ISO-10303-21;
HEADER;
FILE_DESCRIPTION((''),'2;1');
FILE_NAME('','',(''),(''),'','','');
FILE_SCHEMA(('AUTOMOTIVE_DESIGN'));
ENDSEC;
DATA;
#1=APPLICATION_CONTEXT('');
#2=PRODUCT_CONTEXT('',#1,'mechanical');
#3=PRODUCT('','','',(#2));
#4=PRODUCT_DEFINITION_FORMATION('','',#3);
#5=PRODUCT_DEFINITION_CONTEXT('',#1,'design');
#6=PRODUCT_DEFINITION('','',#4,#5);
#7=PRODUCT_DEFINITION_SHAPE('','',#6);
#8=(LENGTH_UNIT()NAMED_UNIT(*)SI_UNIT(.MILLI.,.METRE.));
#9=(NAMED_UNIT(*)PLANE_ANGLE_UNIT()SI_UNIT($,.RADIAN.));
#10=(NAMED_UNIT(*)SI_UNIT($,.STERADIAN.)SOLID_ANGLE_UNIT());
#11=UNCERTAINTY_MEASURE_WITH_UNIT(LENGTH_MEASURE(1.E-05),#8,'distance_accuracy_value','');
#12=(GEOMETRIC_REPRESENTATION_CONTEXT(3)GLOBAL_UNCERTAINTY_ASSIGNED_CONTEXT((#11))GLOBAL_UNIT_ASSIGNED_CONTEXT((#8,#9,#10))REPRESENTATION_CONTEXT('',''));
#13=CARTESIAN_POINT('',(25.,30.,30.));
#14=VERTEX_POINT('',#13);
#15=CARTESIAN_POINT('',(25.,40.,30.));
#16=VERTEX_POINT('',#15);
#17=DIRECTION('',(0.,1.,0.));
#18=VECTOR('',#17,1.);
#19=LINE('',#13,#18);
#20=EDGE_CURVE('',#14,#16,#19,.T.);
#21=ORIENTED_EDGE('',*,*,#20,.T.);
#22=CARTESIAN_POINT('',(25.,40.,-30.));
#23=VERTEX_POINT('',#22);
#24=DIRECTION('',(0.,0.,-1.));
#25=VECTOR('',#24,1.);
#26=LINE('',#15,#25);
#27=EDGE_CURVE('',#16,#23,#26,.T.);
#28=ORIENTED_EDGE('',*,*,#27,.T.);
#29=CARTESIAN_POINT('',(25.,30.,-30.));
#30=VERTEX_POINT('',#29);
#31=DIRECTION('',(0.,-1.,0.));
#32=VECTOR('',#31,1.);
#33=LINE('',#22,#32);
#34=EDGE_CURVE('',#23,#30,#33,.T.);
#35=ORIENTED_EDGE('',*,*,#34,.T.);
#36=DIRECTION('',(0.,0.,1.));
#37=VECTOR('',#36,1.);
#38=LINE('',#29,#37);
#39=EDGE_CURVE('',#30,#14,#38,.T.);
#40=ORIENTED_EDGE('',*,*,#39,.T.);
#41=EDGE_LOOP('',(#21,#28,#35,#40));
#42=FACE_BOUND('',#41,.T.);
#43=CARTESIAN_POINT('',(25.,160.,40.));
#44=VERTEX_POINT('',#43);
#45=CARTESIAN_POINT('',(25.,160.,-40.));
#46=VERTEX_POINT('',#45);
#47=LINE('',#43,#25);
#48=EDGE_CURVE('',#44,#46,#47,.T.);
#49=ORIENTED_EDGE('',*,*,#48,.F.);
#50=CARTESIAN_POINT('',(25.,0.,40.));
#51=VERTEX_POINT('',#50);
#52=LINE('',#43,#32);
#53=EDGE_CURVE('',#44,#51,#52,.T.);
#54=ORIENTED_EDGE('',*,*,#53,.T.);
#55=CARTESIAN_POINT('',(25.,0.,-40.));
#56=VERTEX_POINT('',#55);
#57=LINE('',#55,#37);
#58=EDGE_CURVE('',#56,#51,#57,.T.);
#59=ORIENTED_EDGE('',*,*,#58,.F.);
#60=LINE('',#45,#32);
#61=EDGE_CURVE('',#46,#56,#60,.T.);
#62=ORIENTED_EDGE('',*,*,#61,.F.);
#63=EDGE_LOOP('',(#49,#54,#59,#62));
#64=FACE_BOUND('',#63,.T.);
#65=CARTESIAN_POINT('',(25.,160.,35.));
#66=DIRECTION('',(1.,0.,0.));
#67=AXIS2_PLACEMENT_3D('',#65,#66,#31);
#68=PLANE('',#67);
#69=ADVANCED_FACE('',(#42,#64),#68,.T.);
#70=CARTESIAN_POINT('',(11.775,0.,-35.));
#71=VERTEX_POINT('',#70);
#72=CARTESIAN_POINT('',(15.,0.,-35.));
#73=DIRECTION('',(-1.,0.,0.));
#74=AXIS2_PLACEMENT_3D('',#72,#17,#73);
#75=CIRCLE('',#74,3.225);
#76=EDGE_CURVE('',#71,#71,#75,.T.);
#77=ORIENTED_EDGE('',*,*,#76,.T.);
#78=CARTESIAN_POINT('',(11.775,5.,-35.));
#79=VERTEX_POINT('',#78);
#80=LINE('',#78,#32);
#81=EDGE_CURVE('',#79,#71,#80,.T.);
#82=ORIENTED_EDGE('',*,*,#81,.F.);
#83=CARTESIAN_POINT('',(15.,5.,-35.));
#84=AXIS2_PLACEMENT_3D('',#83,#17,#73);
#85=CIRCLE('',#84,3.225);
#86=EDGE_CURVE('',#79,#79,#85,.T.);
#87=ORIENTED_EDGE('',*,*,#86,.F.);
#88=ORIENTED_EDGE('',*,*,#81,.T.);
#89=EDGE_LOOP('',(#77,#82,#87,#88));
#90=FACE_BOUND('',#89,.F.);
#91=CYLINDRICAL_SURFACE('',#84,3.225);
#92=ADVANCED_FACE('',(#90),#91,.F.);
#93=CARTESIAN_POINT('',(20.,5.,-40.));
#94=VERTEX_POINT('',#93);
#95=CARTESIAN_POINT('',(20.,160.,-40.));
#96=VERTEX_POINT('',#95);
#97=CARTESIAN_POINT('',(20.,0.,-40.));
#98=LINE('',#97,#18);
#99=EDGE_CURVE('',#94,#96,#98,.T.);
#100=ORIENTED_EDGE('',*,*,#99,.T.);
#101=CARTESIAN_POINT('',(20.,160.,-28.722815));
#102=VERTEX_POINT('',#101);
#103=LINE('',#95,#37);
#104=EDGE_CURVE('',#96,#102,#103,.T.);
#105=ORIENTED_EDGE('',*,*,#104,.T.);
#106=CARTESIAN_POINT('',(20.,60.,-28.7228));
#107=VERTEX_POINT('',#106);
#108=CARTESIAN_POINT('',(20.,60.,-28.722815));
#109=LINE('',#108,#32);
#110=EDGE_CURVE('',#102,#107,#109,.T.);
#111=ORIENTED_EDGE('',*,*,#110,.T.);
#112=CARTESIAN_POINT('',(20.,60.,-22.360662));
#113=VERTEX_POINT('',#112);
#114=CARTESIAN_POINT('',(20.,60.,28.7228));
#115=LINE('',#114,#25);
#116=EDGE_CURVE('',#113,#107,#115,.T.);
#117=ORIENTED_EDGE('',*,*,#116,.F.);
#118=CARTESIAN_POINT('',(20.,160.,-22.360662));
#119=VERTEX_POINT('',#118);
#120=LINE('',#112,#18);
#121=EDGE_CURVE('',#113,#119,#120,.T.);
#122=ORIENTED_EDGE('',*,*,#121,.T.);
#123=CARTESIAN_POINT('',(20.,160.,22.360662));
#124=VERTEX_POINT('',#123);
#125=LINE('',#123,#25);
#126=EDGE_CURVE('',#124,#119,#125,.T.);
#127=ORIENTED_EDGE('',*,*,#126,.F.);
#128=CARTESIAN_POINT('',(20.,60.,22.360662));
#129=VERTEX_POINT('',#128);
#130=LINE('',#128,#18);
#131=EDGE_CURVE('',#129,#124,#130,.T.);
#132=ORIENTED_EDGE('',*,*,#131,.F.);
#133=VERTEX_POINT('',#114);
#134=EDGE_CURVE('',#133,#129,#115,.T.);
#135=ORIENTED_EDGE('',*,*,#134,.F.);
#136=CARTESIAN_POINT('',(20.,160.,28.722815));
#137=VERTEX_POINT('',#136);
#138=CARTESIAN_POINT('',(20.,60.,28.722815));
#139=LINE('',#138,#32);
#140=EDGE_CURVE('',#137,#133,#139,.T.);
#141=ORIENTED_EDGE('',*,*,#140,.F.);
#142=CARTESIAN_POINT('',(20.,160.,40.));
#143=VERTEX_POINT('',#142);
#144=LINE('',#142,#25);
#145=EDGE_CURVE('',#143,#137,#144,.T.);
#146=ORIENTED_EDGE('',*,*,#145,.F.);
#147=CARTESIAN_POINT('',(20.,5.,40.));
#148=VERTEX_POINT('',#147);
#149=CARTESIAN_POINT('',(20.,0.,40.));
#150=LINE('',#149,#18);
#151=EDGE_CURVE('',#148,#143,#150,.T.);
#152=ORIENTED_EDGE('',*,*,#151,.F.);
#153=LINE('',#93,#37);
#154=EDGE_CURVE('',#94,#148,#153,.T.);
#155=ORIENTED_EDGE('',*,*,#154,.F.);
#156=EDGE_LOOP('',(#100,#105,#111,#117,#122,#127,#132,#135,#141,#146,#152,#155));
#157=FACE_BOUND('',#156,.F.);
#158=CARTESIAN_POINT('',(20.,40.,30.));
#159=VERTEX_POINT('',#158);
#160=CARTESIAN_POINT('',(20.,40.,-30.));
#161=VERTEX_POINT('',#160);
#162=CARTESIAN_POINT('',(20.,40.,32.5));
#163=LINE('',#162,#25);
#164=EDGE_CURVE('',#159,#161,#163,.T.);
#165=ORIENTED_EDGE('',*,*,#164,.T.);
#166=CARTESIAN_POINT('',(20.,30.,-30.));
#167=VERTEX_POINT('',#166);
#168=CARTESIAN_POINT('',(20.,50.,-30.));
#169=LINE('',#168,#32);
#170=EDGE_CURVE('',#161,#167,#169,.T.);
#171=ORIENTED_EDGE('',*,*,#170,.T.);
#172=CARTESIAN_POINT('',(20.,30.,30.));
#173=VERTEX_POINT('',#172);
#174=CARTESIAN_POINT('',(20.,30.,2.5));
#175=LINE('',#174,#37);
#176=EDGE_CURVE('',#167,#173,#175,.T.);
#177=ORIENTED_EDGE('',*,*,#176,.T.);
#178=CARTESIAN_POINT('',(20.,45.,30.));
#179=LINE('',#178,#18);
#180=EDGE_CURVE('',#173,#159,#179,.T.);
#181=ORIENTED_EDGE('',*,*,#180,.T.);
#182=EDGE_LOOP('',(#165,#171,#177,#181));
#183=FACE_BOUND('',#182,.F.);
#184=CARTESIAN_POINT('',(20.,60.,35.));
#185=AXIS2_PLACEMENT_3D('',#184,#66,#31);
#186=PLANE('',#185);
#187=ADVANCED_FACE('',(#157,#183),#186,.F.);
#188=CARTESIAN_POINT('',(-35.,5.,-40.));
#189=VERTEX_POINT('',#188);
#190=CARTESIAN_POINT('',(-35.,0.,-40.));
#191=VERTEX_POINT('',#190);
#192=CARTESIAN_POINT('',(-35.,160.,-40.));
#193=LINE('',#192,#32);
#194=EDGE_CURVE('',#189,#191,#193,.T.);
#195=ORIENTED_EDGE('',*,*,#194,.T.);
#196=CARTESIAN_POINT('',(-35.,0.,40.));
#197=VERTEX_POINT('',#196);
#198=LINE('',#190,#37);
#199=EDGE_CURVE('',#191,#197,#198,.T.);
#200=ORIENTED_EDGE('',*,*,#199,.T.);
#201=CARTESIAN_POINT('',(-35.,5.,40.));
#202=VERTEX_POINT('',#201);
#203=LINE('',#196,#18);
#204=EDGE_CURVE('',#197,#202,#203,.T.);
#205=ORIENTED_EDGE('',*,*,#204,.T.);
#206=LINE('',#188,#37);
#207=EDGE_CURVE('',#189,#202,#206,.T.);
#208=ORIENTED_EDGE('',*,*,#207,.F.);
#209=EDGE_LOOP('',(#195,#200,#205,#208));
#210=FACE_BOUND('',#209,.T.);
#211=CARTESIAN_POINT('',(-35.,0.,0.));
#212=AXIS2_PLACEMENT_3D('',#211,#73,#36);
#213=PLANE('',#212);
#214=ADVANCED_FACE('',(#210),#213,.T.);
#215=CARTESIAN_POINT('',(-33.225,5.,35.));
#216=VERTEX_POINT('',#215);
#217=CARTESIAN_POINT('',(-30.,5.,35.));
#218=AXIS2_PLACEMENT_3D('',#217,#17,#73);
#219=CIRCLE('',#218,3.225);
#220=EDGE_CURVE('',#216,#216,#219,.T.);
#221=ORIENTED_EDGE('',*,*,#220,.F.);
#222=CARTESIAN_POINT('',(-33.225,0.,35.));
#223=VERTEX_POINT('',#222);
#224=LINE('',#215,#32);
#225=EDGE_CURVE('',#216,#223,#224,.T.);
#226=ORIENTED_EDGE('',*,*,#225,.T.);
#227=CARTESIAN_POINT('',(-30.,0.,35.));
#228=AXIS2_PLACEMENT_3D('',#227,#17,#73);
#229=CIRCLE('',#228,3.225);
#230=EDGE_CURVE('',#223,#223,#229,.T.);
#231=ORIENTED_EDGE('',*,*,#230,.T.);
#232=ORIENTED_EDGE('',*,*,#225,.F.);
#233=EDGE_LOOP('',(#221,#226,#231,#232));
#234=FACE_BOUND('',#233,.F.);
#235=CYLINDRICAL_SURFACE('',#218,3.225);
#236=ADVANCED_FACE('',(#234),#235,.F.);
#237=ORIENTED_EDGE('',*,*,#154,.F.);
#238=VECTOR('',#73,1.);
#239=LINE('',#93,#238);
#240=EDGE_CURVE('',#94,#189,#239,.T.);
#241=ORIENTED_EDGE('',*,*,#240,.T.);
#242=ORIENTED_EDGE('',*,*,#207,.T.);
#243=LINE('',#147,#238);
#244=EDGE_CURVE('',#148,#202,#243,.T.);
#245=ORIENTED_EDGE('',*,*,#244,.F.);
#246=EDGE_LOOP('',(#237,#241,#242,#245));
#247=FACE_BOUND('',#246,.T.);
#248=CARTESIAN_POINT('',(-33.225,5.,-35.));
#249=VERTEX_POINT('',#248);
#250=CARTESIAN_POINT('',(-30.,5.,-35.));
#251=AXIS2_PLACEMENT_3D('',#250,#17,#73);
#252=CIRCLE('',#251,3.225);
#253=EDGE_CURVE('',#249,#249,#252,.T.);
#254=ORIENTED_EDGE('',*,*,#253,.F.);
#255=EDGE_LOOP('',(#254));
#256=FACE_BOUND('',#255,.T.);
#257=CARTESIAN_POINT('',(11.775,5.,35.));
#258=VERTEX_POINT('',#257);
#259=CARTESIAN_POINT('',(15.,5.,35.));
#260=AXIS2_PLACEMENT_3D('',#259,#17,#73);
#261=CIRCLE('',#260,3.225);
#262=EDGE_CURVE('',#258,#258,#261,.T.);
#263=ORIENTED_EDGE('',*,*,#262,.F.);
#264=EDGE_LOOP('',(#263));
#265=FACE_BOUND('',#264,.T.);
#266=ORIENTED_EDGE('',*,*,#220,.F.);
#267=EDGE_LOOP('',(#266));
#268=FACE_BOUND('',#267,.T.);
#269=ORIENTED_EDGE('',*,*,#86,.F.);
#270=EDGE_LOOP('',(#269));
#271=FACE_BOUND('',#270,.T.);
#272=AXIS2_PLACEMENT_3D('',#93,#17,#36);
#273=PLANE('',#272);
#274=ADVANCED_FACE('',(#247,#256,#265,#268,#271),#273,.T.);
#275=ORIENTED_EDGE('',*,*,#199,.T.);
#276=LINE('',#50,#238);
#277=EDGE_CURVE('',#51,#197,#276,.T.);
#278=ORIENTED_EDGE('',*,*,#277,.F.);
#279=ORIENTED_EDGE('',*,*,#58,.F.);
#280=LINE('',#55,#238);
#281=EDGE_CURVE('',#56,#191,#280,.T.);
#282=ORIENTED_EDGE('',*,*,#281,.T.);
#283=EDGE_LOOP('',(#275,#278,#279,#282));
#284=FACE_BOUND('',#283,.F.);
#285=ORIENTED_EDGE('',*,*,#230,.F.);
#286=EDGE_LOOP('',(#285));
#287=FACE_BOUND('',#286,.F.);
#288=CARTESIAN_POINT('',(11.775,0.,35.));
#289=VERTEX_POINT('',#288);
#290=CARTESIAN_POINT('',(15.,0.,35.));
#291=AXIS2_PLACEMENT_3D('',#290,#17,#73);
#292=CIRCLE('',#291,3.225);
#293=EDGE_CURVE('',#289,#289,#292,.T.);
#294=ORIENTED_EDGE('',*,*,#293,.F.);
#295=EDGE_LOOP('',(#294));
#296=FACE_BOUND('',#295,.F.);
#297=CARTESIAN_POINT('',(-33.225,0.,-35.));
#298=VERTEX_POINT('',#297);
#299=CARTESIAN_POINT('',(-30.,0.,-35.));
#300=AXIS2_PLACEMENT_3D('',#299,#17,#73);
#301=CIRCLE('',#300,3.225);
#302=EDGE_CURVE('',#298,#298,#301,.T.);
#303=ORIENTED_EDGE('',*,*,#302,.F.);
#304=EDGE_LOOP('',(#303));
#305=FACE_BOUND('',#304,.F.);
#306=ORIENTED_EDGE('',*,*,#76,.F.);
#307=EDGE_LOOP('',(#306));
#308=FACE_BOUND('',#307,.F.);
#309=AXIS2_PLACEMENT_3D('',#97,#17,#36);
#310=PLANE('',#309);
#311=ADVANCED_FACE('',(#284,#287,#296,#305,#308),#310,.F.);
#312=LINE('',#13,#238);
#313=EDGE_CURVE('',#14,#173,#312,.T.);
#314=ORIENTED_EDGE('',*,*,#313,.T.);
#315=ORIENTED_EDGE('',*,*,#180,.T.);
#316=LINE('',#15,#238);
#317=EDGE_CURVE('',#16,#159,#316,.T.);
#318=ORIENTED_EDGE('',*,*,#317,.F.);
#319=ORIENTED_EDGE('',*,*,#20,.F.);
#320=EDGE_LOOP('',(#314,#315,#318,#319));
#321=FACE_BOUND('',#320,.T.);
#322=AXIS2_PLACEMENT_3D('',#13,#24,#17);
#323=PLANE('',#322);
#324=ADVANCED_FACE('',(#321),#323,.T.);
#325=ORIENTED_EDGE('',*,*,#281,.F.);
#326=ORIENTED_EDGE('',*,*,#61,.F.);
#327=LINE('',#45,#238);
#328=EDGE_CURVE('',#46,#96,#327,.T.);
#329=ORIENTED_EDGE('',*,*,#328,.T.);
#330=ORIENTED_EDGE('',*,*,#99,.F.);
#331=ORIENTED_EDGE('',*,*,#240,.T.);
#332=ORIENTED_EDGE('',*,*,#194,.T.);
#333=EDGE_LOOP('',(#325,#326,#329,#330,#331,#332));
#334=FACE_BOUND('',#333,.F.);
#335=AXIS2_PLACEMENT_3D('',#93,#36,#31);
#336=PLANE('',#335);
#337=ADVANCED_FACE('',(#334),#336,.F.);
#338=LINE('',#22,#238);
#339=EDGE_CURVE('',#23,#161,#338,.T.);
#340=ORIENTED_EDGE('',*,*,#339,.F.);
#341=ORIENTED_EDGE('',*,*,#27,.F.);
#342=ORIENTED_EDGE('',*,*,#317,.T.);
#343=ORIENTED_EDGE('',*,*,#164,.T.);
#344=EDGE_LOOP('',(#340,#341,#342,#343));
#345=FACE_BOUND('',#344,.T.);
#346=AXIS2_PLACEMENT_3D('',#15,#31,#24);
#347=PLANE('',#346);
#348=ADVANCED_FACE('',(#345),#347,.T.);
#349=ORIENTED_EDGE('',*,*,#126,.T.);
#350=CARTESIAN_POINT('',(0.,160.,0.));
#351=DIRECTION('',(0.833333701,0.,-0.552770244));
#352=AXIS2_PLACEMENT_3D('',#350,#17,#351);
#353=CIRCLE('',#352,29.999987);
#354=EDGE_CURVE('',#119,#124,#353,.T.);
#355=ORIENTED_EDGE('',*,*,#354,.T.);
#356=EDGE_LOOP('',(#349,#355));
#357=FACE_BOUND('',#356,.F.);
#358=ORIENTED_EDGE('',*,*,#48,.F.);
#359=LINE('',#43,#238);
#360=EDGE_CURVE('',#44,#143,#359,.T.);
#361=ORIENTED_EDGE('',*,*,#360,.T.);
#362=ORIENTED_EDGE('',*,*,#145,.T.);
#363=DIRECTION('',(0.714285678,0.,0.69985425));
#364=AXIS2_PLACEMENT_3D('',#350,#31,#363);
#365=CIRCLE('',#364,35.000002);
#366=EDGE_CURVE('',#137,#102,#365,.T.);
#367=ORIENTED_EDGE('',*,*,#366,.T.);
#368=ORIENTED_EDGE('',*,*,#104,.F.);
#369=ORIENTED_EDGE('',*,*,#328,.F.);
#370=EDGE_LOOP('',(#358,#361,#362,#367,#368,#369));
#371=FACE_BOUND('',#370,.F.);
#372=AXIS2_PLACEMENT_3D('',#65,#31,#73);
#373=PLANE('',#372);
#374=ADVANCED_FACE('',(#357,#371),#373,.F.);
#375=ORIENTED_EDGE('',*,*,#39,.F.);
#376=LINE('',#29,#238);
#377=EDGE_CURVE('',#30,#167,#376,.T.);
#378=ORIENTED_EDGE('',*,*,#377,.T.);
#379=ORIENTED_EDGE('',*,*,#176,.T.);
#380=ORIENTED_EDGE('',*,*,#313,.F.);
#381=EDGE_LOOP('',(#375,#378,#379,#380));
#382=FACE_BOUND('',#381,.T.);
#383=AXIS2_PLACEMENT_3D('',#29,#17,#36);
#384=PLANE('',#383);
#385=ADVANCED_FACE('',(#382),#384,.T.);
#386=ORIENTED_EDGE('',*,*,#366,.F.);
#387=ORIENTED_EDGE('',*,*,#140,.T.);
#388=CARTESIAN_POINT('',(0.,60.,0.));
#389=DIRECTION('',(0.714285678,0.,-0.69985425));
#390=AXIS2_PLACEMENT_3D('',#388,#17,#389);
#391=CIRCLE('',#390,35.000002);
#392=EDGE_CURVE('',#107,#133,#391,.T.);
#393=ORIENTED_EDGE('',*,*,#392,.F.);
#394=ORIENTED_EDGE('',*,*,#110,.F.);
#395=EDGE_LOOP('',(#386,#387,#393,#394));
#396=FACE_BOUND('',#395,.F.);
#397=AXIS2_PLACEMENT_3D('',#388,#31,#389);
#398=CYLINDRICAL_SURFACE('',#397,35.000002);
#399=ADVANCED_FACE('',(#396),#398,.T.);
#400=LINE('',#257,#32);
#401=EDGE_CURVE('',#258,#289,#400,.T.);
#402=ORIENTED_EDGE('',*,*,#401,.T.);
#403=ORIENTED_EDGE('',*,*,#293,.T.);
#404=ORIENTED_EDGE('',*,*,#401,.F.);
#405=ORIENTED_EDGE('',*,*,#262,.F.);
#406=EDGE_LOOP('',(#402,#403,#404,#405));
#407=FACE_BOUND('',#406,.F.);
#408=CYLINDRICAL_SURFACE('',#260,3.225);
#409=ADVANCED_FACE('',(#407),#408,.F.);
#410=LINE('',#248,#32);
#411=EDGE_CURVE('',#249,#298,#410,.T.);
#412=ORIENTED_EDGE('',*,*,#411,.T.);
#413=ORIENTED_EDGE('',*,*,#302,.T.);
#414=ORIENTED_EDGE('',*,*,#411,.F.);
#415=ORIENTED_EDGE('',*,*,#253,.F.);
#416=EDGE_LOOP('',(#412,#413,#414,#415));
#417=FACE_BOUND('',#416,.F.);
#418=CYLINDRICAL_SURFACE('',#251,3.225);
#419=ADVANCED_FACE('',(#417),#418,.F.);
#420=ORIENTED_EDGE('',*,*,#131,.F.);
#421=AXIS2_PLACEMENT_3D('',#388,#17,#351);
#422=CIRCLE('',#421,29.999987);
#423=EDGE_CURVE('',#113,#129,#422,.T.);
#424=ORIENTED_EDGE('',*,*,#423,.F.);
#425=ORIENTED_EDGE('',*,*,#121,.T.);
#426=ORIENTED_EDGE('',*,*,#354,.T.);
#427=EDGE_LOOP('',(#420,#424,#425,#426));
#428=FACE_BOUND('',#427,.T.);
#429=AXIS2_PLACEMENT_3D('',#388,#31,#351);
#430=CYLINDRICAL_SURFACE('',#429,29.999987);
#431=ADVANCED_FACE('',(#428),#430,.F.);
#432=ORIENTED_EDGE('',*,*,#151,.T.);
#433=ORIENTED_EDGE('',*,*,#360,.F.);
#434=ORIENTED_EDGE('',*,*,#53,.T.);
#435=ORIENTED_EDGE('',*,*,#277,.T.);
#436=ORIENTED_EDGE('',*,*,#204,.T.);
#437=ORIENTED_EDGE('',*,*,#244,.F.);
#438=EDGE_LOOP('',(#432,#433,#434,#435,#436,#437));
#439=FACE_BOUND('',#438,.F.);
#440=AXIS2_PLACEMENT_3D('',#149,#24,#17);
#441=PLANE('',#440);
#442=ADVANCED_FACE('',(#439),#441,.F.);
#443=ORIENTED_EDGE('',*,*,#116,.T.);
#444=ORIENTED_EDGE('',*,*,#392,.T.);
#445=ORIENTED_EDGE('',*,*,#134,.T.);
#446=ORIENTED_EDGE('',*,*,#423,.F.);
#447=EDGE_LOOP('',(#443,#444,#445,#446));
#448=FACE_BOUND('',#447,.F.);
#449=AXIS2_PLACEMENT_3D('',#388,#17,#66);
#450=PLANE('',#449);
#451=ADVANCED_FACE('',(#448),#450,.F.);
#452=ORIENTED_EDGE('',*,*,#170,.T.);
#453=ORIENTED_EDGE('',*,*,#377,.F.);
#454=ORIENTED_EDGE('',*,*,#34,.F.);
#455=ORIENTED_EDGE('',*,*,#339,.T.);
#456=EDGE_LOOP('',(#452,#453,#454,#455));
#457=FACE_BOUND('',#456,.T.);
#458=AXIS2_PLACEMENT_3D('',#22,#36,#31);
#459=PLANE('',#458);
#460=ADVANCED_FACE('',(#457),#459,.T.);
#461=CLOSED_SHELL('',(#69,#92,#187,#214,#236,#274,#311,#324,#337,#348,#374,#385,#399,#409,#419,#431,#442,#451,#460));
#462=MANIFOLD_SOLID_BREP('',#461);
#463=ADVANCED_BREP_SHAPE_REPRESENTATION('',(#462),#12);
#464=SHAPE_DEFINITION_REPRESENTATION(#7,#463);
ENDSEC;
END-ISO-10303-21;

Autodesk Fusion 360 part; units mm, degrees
ref_plane "WorkPlane1" through (0, 60, 0) normal (0, 1, 0) x (0, 0, 1)
sketch "Sketch1" plane through (0, 60, 0) normal (0, 1, 0) x (1, 0, 0)
  line L0 (20, 28.7228) -> (20, -28.7228)
  line L1 (25, 24.4949) -> (25, -24.4949)
  arc A0 (25, 24.4949) -> (25, -24.4949) centre (0, 0) ccw
  arc A1 (25, 16.5831) -> (25, -16.5831) centre (0, 0) ccw
  dimension "d2" = 60
  dimension "d3" = 70
  dimension "d4" = 20
  dimension "d5" = 5
extrude "Extrude1" add sketch "Sketch1" along normal blind 100 contours L0 L1 A0 A1 | L0 A0 A1 | L0 L1 A1 | L0 L1 A0 A1
extrude "Extrude2" add sketch "Sketch1" against normal blind 60 contours L0 L1 A0 A1 | L0 L1 A1 | L0 L1 A0 A1
ref_plane "WorkPlane2" through (0, 124.607, 35) normal (0, 0, 1) x (-1, 0, 0)
sketch "Sketch2" plane through (0, 124.607, 35) normal (0, 0, 1) x (1, 0, 0)
  line L0 (20, -64.607) -> (-35, -64.607)
  line L1 (20, -64.607) -> (20, -124.607)
  line L2 (20, -124.607) -> (25, -124.607)
  line L3 (25, -124.607) -> (25, 35.393)
  line L4 (25, 35.393) -> (-35, 35.393)
  line L5 (25, 35.393) -> (25, -124.607)
  line L6 (20, -124.607) -> (25, -124.607)
  line L7 (20, -124.607) -> (20, -64.607)
  line L8 (-10, -9.607) -> (10, -9.607)
  line L9 (10, -9.607) -> (10, -19.607)
  line L10 (10, -19.607) -> (-10, -19.607)
  line L11 (-10, -19.607) -> (-10, -9.607)
  dimension "d11" = 45
  dimension "d12" = 10
  dimension "d13" = 20
  dimension "d14" = 15
ref_plane "WorkPlane3" through (0, 127.6389, 35) normal (0, 0, 1) x (-1, 0, 0)
sketch "Sketch6" plane through (0, 127.6389, 35) normal (0, 0, 1) x (1, 0, 0)
  line L0 (20, -127.6389) -> (25, -127.6389)
  line L1 (20, -67.6389) -> (20, -127.6389)
  line L2 (25, 32.3611) -> (25, -127.6389)
  line L3 (20, -67.6389) -> (-35, -67.6389)
  line L4 (25, 32.3611) -> (-35, 32.3611)
  line L5 (-35, -67.6389) -> (-35, 32.3611)
  line L6 (25, 32.3611) -> (20, 32.3611)
  line L7 (20, 32.3611) -> (20, -127.6389)
  line L8 (20, -127.6389) -> (25, -127.6389)
  line L9 (25, -127.6389) -> (25, 32.3611)
extrude "Extrude9" add sketch "Sketch6" against normal blind 15 contours L0 L1 L2 L4 L6 L7 L8 L9
extrude "Extrude10" add sketch "Sketch6" along normal blind 5 contours L0 L1 L2 L4 L6 L7 L8 L9
mirror "Mirror2" about plane through (0, 0, 0) normal (0, 0, 1) of bodies 1 merged
sketch "Sketch7" plane through (25, 0, 0) normal (1, 0, 0) x (0, 0, -1)
  line L0 (40, 160) -> (-40, 160)
  line L1 (-40, 160) -> (-40, 0)
  line L2 (-40, 0) -> (40, 0)
  line L3 (40, 0) -> (40, 160)
  line L4 (-30, 40) -> (30, 40)
  line L5 (30, 40) -> (30, 30)
  line L6 (30, 30) -> (-30, 30)
  line L7 (-30, 30) -> (-30, 40)
  line L8 (28.7228, 160) -> (28.7228, 60)
  line L9 (35, 60) -> (-35, 60)
  line L10 (-28.7228, 60) -> (-28.7228, 160)
  line L11 (35, 160) -> (-35, 160)
  dimension "d41" = 60
  dimension "d42" = 10
  dimension "d43" = 10
  dimension "d45" = 20
extrude "Extrude11" cut sketch "Sketch7" against normal through all contours L4 L5 L6 L7
sketch "Sketch8" plane through (20, 0, 0) normal (-1, 0, 0) x (0, 0, 1)
  line L0 (30, 40) -> (30, 30)
  line L1 (30, 30) -> (-30, 30)
  line L2 (-30, 30) -> (-30, 40)
  line L3 (-30, 40) -> (30, 40)
  line L4 (-40, 0) -> (40, 0)
  line L5 (40, 0) -> (40, 160)
  line L6 (40, 160) -> (28.7228, 160)
  line L7 (28.7228, 160) -> (28.7228, 60)
  line L8 (28.7228, 60) -> (22.3607, 60)
  line L9 (22.3607, 60) -> (22.3607, 160)
  line L10 (22.3607, 160) -> (-22.3607, 160)
  line L11 (-22.3607, 160) -> (-22.3607, 60)
  line L12 (-22.3607, 60) -> (-28.7228, 60)
  line L13 (-28.7228, 60) -> (-28.7228, 160)
  line L14 (-28.7228, 160) -> (-40, 160)
  line L15 (-40, 160) -> (-40, 0)
  line L16 (-40, 5) -> (40, 5)
  line L17 (40, 5) -> (40, 0)
  line L18 (40, 0) -> (-40, 0)
  line L19 (-40, 0) -> (-40, 5)
  dimension "d47" = 5
extrude "Extrude12" add sketch "Sketch8" along normal blind 55 contours L4 L5 L15 L16 L17 L18 L19
sketch "Sketch9" plane through (0, 5, 0) normal (0, 1, 0) x (-1, 0, 0)
  line L0 (-20, 40) -> (-20, -40)
  line L1 (-20, -40) -> (35, -40)
  line L2 (35, -40) -> (35, 40)
  line L3 (35, 40) -> (-20, 40)
  circle A0 centre (-15, 35) radius 3.225
  circle A1 centre (30, 35) radius 3.225
  circle A2 centre (30, -35) radius 3.225
  circle A3 centre (-15, -35) radius 3.225
  dimension "d50" = 6.45
  dimension "d51" = 5
  dimension "d52" = 5
  dimension "d53" = 6.45
  dimension "d54" = 5
  dimension "d57" = 6.45
  dimension "d58" = 6.45
  dimension "d59" = 5
  dimension "d60" = 5
  dimension "d61" = 5
  dimension "d62" = 5
extrude "Extrude13" cut sketch "Sketch9" against normal blind 5 contours A0 | A1 | A2 | A3
